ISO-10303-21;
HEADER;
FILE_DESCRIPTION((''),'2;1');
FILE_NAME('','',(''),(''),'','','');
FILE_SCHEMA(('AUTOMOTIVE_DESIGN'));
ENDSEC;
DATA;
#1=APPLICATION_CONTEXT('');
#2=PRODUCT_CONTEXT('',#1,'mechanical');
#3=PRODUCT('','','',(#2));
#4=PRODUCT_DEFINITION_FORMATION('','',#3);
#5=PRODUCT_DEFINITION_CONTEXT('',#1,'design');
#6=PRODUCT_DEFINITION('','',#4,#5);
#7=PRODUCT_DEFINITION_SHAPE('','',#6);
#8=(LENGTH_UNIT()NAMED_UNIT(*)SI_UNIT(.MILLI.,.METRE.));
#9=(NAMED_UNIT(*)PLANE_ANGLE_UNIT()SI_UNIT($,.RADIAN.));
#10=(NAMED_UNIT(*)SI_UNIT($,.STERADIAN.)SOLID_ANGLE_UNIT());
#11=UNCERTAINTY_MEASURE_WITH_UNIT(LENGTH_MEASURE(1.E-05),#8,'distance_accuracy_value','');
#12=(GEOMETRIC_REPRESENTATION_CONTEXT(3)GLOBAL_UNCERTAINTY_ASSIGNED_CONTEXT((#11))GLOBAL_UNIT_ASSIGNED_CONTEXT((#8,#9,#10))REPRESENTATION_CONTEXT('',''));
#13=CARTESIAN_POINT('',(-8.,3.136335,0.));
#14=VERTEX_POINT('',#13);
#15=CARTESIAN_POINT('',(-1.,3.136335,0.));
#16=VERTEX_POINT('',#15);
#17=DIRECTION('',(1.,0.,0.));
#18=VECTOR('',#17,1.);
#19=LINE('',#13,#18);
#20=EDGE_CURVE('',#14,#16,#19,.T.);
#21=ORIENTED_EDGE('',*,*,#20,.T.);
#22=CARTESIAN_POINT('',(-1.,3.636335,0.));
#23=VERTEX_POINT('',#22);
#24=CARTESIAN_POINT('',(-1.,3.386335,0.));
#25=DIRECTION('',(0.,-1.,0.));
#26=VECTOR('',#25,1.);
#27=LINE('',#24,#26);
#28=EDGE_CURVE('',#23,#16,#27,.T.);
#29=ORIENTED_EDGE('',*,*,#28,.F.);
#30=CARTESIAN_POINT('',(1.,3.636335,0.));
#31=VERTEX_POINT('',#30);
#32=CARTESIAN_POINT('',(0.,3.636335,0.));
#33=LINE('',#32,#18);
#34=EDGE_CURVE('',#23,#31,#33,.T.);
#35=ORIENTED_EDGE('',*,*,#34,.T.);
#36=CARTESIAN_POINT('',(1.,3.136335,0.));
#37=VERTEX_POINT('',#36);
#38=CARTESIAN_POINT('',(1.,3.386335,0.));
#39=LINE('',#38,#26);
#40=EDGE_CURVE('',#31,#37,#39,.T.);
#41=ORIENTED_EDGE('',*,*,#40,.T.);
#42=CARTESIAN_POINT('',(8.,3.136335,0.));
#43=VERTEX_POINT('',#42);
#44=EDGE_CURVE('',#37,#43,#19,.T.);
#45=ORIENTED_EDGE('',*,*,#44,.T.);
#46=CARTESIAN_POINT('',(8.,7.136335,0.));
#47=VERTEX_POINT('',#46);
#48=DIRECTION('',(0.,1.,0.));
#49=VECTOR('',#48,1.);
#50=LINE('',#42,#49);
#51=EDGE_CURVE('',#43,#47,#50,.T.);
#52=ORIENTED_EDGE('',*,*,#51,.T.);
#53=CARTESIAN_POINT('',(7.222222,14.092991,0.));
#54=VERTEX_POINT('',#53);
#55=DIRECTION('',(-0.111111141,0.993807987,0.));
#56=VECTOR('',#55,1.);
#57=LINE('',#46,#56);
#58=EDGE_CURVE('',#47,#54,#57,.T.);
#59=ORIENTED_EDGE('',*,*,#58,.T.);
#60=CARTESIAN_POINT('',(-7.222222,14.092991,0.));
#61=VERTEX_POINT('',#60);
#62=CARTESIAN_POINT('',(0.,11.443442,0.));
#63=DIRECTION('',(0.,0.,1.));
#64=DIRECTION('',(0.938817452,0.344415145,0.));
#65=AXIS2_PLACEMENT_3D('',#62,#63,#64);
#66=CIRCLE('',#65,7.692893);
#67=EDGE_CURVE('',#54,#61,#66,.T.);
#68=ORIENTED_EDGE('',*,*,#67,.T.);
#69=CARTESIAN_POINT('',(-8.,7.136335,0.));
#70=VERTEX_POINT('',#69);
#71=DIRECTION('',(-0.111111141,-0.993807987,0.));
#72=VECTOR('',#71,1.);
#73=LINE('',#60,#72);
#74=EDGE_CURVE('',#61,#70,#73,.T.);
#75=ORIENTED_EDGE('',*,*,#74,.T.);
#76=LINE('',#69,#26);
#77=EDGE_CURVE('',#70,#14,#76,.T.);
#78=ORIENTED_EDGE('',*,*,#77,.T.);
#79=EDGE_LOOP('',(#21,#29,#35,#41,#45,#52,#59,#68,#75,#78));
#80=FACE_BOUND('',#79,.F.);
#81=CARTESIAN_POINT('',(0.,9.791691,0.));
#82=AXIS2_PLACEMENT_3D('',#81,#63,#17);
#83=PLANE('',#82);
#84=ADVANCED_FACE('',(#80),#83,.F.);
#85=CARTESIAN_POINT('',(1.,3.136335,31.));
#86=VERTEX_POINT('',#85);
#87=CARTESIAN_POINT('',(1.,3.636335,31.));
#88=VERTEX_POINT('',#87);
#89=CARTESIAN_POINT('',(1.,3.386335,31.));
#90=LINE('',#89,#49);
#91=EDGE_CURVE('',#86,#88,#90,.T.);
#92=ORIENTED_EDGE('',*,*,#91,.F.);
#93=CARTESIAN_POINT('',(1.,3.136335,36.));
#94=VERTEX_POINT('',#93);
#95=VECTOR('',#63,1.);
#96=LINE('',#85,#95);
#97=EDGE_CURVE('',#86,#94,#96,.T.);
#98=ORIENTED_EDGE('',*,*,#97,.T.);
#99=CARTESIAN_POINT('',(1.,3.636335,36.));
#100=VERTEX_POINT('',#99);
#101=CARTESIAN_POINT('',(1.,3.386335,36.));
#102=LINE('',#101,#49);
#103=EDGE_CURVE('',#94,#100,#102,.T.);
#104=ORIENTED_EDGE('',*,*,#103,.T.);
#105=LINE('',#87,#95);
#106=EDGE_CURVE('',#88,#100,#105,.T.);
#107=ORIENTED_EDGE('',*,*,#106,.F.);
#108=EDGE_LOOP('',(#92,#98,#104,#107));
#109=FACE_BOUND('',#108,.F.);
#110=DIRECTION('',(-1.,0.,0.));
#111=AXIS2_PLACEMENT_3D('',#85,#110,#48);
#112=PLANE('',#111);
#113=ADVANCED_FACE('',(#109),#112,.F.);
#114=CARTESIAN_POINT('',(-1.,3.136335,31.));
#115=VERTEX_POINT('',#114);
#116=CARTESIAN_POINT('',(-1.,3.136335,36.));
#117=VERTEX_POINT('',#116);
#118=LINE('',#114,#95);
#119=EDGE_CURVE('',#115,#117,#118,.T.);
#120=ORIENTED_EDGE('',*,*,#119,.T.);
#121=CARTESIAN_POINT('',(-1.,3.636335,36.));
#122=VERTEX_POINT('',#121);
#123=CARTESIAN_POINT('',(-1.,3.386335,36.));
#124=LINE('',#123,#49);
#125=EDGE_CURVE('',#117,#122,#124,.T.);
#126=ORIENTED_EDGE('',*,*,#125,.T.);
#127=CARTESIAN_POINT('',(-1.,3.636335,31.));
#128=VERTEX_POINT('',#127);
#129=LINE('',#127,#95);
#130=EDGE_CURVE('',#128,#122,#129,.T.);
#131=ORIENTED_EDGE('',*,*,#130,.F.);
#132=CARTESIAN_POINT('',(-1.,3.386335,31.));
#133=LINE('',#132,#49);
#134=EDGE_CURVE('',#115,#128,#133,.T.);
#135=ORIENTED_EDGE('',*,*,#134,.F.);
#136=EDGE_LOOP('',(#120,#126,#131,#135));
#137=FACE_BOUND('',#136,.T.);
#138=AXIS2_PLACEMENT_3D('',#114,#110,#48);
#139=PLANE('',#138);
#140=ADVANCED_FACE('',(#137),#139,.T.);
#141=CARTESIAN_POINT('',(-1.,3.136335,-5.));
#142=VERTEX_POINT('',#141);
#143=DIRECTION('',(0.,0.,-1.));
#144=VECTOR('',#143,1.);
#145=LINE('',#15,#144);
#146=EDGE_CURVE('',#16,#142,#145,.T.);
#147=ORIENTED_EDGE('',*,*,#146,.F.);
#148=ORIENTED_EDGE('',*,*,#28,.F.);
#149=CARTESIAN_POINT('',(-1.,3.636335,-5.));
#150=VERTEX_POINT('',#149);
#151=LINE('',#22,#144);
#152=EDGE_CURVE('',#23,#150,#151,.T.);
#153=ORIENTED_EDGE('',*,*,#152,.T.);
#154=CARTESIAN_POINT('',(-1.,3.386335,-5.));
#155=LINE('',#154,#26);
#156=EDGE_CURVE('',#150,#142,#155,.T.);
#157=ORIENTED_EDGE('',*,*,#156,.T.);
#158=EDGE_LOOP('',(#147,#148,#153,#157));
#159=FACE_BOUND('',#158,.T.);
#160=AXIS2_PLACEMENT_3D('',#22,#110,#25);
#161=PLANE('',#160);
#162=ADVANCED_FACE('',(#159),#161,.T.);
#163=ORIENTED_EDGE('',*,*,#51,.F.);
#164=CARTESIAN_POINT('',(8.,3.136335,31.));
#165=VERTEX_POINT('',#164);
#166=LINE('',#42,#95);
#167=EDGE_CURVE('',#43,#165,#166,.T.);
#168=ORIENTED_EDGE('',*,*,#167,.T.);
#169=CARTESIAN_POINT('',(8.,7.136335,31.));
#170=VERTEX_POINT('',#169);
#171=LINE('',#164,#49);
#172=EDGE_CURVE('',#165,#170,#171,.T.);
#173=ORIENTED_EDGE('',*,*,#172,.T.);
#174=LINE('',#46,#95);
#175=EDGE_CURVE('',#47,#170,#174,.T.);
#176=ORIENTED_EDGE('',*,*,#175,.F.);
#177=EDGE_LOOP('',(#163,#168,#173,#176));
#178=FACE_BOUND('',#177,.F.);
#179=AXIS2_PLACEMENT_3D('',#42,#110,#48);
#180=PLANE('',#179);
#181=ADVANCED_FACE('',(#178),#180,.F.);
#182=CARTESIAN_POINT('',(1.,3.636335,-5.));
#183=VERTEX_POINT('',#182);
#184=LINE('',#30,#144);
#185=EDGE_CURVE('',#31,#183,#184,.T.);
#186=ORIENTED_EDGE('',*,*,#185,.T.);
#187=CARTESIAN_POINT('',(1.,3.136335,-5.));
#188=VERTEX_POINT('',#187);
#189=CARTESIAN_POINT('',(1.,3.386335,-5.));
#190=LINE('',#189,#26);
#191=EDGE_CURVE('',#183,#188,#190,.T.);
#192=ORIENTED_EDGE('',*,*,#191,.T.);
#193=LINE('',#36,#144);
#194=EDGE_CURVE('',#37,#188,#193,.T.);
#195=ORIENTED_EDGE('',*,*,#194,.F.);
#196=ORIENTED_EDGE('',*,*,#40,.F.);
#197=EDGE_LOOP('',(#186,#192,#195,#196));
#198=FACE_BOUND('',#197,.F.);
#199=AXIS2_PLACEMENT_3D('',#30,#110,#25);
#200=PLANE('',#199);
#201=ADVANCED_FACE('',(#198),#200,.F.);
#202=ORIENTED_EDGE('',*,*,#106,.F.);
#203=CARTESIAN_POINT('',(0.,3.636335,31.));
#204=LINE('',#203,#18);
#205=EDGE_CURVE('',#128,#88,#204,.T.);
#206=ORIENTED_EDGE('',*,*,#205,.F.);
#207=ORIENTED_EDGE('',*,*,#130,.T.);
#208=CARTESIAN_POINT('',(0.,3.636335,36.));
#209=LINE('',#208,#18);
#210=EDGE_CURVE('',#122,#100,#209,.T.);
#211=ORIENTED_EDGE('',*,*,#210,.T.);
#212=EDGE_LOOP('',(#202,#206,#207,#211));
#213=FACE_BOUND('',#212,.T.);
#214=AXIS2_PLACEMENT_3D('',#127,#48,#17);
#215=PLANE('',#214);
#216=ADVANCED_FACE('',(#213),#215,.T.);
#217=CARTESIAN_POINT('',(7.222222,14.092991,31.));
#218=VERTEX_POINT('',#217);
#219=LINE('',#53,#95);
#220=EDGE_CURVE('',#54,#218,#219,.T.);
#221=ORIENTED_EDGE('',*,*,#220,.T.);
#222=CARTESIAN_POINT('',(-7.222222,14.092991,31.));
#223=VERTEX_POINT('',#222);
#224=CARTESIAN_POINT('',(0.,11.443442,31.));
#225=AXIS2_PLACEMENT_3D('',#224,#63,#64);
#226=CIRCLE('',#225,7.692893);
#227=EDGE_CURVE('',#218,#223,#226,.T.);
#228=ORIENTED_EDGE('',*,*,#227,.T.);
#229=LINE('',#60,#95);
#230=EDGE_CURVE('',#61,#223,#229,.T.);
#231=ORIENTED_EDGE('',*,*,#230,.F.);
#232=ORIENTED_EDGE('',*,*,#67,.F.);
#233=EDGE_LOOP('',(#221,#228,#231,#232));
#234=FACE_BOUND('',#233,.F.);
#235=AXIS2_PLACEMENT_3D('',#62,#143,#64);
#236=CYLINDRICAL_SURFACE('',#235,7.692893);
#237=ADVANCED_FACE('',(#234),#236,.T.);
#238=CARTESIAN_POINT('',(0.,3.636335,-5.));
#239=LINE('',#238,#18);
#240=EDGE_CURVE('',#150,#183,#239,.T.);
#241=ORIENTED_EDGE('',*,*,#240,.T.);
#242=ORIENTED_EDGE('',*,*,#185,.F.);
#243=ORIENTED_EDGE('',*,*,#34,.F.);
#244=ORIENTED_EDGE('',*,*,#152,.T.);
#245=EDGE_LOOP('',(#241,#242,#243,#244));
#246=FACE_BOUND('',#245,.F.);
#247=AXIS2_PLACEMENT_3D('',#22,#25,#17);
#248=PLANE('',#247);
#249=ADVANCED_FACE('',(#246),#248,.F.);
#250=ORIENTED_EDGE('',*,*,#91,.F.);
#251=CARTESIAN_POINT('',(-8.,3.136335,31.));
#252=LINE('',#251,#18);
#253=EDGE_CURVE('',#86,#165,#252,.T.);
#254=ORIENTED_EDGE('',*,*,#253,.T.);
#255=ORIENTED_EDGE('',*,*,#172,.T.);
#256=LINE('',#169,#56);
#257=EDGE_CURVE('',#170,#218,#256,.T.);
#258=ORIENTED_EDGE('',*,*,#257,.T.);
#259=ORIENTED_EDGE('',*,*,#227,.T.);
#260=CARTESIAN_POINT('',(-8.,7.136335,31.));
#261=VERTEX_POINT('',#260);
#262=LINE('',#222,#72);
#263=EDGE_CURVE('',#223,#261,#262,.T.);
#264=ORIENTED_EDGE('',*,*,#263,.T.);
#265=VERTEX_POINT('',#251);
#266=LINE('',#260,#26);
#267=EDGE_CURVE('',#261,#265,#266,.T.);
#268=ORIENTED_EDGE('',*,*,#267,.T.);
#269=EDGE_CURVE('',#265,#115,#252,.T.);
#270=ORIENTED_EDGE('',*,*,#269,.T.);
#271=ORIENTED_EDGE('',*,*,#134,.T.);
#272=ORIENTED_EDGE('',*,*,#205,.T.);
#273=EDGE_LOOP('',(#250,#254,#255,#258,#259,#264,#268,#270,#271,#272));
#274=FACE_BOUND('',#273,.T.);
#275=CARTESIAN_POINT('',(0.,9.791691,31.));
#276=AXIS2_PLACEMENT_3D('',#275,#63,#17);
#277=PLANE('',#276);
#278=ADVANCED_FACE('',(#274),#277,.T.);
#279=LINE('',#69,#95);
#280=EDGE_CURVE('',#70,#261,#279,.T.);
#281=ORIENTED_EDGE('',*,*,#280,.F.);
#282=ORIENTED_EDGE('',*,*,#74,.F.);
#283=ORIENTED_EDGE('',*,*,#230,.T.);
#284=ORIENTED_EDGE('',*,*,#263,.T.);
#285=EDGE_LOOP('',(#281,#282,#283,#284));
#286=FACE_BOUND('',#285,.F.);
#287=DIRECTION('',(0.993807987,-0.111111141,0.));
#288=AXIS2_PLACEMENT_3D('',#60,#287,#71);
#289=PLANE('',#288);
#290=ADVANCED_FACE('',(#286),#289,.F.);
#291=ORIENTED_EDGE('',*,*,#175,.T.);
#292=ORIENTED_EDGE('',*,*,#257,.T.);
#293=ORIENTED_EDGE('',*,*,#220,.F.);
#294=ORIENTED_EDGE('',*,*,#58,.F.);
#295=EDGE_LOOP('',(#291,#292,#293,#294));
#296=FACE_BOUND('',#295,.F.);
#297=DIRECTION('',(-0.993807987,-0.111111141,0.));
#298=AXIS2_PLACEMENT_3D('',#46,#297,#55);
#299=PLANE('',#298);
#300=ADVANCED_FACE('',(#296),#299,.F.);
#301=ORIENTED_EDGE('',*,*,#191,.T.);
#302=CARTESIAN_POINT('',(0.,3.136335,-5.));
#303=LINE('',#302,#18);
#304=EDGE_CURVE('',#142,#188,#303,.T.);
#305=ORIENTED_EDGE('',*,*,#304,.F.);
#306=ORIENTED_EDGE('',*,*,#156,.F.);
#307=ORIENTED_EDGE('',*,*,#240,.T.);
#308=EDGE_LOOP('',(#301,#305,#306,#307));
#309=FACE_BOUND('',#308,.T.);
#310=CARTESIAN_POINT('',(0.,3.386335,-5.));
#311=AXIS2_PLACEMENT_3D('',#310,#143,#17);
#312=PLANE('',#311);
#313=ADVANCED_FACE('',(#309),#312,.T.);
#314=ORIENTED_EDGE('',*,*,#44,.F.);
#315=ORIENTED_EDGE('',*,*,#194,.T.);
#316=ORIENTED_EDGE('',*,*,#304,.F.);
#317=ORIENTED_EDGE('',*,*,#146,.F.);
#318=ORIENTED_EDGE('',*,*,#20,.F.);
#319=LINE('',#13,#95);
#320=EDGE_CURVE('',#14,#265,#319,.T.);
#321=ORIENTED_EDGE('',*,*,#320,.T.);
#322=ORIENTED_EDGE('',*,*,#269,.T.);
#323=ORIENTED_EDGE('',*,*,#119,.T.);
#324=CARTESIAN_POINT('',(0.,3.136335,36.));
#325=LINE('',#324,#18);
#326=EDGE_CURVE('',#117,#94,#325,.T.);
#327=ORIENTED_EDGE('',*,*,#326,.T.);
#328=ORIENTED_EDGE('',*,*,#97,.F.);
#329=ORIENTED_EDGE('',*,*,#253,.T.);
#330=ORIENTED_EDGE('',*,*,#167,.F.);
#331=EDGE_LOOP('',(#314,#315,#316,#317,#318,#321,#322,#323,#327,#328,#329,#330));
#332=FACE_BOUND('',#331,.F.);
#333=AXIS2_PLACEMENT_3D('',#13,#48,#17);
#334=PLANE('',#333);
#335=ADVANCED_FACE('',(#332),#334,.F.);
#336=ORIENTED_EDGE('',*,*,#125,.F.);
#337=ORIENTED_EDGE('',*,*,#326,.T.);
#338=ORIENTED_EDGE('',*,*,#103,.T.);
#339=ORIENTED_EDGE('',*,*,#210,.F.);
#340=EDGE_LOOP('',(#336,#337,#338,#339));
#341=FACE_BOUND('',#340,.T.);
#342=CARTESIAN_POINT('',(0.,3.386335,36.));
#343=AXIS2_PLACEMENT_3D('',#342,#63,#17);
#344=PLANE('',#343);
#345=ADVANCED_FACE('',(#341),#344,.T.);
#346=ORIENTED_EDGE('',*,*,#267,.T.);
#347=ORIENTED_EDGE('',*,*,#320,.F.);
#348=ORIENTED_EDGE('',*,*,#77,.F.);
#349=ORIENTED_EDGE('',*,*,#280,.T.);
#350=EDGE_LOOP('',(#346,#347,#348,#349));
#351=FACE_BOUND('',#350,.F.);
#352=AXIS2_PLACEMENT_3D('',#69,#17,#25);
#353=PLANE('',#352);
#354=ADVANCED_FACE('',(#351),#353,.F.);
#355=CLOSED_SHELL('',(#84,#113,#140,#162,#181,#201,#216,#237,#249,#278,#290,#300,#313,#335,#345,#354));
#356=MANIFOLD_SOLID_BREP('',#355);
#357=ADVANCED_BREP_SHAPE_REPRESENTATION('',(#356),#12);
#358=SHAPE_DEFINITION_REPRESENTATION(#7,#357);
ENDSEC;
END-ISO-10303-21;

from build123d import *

# Parameters (mm, degrees)
F1_DEPTH = 31
F2_W     = 2
F2_H     = 0.5
F3_DEPTH = 5
F4_W     = 2
F4_H     = 0.5
F5_DEPTH = 5


with BuildPart() as f1:
    # F0 (on Top) → F1 (new body)
    with BuildSketch(Plane.XY):
        with BuildLine():
            Line((-8, 3.136335), (8, 3.136335))
            Line((8, 3.136335), (8, 7.136335))
            Line((8, 7.136335), (7.222222, 14.092991))
            ThreePointArc((7.222222, 14.092991), (0, 19.136335), (-7.222222, 14.092991))
            Line((-7.222222, 14.092991), (-8, 7.136335))
            Line((-8, 7.136335), (-8, 3.136335))
        make_face()
    extrude(amount=F1_DEPTH)

    # F2 (on face) → F3 (join)
    with BuildSketch(Plane.XY.offset(31)):
        with Locations((0, 3.386335)):
            Rectangle(F2_W, F2_H)
    extrude(amount=F3_DEPTH)

    # F4 (on face) → F5 (join)
    with BuildSketch(Plane(origin=(0, 0, 0), x_dir=(1, 0, 0), z_dir=(0, 0, -1))):
        with Locations((0, -3.386335)):
            Rectangle(F4_W, F4_H)
    extrude(amount=F5_DEPTH)


solid = f1.part
